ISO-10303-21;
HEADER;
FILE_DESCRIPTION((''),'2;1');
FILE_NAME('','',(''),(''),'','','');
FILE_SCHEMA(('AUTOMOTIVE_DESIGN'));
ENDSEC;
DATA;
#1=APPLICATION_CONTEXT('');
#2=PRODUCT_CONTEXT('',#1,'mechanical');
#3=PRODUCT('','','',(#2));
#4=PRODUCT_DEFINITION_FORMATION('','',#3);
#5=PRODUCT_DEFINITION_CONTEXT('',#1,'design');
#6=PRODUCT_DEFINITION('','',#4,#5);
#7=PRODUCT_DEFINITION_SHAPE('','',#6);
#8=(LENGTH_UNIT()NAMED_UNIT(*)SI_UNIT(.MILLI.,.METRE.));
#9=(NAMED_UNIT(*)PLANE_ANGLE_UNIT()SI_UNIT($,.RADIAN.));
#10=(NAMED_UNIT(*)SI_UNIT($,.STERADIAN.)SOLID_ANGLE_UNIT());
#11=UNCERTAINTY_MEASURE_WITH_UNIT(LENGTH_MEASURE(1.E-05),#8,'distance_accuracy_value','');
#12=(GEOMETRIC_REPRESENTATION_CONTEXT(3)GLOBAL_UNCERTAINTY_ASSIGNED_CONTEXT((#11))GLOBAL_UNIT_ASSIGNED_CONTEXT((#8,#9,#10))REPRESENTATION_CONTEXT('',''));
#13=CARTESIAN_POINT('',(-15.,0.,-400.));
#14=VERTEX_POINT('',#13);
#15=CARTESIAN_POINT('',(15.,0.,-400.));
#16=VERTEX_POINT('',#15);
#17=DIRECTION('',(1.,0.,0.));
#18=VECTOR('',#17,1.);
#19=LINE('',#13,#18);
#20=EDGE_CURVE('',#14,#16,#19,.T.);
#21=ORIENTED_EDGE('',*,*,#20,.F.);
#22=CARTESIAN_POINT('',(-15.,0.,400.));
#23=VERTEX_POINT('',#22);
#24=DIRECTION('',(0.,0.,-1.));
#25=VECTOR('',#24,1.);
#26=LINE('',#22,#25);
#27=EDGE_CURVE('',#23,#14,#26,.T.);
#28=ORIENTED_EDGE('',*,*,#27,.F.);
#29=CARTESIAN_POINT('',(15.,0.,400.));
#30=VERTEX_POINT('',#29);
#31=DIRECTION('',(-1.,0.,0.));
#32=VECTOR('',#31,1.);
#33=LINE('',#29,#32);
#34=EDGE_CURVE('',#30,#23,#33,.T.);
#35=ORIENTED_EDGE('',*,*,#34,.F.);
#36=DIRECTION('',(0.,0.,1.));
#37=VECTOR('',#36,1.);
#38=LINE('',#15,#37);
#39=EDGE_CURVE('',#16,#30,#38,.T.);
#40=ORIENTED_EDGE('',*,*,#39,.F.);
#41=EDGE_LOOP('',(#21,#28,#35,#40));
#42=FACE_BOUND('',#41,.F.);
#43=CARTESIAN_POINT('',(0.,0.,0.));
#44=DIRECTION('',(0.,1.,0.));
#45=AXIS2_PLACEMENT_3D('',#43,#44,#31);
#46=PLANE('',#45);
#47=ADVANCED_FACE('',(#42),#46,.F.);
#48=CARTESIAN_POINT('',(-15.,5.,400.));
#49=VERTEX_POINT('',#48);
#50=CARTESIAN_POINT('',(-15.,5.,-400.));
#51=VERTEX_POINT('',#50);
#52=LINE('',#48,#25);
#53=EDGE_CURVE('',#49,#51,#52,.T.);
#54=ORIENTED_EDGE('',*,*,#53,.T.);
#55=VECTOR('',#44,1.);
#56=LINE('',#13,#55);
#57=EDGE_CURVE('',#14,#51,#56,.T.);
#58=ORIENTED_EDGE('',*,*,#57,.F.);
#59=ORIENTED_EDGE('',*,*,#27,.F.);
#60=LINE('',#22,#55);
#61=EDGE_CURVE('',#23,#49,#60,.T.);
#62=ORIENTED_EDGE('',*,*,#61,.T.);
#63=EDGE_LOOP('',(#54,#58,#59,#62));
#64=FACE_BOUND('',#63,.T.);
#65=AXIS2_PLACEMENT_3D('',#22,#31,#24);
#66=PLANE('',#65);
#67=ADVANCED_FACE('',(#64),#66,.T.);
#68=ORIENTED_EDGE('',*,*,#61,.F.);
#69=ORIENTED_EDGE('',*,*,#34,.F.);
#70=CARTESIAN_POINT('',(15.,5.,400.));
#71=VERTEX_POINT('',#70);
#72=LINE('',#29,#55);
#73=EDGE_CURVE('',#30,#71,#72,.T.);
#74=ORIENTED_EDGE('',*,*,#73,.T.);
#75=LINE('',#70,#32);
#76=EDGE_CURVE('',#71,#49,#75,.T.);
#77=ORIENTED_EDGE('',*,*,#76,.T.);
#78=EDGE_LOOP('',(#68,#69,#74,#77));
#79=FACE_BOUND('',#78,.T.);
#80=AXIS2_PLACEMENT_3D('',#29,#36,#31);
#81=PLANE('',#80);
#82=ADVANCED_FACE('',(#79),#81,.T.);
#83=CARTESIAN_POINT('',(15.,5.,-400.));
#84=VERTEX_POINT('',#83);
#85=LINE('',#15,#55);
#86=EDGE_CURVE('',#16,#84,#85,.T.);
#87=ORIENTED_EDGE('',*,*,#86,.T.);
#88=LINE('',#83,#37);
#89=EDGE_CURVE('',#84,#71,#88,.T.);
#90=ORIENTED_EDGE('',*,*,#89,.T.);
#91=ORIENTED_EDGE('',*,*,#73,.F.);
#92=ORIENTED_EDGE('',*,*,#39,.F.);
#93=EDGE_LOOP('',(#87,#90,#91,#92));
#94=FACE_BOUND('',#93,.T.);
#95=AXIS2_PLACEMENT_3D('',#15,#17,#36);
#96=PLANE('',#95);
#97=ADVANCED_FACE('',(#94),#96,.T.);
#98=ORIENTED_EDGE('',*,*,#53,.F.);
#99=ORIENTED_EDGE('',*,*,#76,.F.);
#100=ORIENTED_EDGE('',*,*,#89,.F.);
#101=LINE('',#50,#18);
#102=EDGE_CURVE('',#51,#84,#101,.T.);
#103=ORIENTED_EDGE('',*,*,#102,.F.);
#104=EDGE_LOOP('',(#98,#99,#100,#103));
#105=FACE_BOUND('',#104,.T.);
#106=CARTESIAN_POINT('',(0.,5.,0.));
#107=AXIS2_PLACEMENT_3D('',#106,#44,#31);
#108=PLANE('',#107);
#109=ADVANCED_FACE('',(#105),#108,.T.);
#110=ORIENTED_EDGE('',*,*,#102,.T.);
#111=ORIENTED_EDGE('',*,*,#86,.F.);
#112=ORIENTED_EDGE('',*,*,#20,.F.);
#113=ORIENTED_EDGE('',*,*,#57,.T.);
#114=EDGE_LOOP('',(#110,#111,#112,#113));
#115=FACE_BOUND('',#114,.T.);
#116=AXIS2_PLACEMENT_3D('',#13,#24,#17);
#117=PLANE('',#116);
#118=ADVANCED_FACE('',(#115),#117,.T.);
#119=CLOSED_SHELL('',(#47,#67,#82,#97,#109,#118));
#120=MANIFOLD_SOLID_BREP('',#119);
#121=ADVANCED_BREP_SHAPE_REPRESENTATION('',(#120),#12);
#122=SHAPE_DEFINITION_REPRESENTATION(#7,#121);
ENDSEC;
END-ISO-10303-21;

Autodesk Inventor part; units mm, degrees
ref_plane "YZ Plane" through (0, 0, 0) normal (1, 0, 0) x (0, 1, 0)
ref_plane "XZ Plane" through (0, 0, 0) normal (0, 1, 0) x (-1, 0, 0)
ref_plane "XY Plane" through (0, 0, 0) normal (0, 0, 1) x (1, 0, 0)
sketch "Sketch1" plane through (0, 0, 0) normal (0, 1, 0) x (-1, 0, 0)
  line L0 (-15, 400) -> (15, 400)
  line L1 (15, 400) -> (15, -400)
  line L2 (15, -400) -> (-15, -400)
  line L3 (-15, -400) -> (-15, 400)
  line L4 (-15, 400) -> (15, -400) construction
  line L5 (15, 400) -> (-15, -400) construction
  point P0 (0, 0)
  dimension "d0" = 30
  dimension "d1" = 800
extrude "Extrusion1" add sketch "Sketch1" along normal blind 5
properties part number "mirror" material "Glass"
